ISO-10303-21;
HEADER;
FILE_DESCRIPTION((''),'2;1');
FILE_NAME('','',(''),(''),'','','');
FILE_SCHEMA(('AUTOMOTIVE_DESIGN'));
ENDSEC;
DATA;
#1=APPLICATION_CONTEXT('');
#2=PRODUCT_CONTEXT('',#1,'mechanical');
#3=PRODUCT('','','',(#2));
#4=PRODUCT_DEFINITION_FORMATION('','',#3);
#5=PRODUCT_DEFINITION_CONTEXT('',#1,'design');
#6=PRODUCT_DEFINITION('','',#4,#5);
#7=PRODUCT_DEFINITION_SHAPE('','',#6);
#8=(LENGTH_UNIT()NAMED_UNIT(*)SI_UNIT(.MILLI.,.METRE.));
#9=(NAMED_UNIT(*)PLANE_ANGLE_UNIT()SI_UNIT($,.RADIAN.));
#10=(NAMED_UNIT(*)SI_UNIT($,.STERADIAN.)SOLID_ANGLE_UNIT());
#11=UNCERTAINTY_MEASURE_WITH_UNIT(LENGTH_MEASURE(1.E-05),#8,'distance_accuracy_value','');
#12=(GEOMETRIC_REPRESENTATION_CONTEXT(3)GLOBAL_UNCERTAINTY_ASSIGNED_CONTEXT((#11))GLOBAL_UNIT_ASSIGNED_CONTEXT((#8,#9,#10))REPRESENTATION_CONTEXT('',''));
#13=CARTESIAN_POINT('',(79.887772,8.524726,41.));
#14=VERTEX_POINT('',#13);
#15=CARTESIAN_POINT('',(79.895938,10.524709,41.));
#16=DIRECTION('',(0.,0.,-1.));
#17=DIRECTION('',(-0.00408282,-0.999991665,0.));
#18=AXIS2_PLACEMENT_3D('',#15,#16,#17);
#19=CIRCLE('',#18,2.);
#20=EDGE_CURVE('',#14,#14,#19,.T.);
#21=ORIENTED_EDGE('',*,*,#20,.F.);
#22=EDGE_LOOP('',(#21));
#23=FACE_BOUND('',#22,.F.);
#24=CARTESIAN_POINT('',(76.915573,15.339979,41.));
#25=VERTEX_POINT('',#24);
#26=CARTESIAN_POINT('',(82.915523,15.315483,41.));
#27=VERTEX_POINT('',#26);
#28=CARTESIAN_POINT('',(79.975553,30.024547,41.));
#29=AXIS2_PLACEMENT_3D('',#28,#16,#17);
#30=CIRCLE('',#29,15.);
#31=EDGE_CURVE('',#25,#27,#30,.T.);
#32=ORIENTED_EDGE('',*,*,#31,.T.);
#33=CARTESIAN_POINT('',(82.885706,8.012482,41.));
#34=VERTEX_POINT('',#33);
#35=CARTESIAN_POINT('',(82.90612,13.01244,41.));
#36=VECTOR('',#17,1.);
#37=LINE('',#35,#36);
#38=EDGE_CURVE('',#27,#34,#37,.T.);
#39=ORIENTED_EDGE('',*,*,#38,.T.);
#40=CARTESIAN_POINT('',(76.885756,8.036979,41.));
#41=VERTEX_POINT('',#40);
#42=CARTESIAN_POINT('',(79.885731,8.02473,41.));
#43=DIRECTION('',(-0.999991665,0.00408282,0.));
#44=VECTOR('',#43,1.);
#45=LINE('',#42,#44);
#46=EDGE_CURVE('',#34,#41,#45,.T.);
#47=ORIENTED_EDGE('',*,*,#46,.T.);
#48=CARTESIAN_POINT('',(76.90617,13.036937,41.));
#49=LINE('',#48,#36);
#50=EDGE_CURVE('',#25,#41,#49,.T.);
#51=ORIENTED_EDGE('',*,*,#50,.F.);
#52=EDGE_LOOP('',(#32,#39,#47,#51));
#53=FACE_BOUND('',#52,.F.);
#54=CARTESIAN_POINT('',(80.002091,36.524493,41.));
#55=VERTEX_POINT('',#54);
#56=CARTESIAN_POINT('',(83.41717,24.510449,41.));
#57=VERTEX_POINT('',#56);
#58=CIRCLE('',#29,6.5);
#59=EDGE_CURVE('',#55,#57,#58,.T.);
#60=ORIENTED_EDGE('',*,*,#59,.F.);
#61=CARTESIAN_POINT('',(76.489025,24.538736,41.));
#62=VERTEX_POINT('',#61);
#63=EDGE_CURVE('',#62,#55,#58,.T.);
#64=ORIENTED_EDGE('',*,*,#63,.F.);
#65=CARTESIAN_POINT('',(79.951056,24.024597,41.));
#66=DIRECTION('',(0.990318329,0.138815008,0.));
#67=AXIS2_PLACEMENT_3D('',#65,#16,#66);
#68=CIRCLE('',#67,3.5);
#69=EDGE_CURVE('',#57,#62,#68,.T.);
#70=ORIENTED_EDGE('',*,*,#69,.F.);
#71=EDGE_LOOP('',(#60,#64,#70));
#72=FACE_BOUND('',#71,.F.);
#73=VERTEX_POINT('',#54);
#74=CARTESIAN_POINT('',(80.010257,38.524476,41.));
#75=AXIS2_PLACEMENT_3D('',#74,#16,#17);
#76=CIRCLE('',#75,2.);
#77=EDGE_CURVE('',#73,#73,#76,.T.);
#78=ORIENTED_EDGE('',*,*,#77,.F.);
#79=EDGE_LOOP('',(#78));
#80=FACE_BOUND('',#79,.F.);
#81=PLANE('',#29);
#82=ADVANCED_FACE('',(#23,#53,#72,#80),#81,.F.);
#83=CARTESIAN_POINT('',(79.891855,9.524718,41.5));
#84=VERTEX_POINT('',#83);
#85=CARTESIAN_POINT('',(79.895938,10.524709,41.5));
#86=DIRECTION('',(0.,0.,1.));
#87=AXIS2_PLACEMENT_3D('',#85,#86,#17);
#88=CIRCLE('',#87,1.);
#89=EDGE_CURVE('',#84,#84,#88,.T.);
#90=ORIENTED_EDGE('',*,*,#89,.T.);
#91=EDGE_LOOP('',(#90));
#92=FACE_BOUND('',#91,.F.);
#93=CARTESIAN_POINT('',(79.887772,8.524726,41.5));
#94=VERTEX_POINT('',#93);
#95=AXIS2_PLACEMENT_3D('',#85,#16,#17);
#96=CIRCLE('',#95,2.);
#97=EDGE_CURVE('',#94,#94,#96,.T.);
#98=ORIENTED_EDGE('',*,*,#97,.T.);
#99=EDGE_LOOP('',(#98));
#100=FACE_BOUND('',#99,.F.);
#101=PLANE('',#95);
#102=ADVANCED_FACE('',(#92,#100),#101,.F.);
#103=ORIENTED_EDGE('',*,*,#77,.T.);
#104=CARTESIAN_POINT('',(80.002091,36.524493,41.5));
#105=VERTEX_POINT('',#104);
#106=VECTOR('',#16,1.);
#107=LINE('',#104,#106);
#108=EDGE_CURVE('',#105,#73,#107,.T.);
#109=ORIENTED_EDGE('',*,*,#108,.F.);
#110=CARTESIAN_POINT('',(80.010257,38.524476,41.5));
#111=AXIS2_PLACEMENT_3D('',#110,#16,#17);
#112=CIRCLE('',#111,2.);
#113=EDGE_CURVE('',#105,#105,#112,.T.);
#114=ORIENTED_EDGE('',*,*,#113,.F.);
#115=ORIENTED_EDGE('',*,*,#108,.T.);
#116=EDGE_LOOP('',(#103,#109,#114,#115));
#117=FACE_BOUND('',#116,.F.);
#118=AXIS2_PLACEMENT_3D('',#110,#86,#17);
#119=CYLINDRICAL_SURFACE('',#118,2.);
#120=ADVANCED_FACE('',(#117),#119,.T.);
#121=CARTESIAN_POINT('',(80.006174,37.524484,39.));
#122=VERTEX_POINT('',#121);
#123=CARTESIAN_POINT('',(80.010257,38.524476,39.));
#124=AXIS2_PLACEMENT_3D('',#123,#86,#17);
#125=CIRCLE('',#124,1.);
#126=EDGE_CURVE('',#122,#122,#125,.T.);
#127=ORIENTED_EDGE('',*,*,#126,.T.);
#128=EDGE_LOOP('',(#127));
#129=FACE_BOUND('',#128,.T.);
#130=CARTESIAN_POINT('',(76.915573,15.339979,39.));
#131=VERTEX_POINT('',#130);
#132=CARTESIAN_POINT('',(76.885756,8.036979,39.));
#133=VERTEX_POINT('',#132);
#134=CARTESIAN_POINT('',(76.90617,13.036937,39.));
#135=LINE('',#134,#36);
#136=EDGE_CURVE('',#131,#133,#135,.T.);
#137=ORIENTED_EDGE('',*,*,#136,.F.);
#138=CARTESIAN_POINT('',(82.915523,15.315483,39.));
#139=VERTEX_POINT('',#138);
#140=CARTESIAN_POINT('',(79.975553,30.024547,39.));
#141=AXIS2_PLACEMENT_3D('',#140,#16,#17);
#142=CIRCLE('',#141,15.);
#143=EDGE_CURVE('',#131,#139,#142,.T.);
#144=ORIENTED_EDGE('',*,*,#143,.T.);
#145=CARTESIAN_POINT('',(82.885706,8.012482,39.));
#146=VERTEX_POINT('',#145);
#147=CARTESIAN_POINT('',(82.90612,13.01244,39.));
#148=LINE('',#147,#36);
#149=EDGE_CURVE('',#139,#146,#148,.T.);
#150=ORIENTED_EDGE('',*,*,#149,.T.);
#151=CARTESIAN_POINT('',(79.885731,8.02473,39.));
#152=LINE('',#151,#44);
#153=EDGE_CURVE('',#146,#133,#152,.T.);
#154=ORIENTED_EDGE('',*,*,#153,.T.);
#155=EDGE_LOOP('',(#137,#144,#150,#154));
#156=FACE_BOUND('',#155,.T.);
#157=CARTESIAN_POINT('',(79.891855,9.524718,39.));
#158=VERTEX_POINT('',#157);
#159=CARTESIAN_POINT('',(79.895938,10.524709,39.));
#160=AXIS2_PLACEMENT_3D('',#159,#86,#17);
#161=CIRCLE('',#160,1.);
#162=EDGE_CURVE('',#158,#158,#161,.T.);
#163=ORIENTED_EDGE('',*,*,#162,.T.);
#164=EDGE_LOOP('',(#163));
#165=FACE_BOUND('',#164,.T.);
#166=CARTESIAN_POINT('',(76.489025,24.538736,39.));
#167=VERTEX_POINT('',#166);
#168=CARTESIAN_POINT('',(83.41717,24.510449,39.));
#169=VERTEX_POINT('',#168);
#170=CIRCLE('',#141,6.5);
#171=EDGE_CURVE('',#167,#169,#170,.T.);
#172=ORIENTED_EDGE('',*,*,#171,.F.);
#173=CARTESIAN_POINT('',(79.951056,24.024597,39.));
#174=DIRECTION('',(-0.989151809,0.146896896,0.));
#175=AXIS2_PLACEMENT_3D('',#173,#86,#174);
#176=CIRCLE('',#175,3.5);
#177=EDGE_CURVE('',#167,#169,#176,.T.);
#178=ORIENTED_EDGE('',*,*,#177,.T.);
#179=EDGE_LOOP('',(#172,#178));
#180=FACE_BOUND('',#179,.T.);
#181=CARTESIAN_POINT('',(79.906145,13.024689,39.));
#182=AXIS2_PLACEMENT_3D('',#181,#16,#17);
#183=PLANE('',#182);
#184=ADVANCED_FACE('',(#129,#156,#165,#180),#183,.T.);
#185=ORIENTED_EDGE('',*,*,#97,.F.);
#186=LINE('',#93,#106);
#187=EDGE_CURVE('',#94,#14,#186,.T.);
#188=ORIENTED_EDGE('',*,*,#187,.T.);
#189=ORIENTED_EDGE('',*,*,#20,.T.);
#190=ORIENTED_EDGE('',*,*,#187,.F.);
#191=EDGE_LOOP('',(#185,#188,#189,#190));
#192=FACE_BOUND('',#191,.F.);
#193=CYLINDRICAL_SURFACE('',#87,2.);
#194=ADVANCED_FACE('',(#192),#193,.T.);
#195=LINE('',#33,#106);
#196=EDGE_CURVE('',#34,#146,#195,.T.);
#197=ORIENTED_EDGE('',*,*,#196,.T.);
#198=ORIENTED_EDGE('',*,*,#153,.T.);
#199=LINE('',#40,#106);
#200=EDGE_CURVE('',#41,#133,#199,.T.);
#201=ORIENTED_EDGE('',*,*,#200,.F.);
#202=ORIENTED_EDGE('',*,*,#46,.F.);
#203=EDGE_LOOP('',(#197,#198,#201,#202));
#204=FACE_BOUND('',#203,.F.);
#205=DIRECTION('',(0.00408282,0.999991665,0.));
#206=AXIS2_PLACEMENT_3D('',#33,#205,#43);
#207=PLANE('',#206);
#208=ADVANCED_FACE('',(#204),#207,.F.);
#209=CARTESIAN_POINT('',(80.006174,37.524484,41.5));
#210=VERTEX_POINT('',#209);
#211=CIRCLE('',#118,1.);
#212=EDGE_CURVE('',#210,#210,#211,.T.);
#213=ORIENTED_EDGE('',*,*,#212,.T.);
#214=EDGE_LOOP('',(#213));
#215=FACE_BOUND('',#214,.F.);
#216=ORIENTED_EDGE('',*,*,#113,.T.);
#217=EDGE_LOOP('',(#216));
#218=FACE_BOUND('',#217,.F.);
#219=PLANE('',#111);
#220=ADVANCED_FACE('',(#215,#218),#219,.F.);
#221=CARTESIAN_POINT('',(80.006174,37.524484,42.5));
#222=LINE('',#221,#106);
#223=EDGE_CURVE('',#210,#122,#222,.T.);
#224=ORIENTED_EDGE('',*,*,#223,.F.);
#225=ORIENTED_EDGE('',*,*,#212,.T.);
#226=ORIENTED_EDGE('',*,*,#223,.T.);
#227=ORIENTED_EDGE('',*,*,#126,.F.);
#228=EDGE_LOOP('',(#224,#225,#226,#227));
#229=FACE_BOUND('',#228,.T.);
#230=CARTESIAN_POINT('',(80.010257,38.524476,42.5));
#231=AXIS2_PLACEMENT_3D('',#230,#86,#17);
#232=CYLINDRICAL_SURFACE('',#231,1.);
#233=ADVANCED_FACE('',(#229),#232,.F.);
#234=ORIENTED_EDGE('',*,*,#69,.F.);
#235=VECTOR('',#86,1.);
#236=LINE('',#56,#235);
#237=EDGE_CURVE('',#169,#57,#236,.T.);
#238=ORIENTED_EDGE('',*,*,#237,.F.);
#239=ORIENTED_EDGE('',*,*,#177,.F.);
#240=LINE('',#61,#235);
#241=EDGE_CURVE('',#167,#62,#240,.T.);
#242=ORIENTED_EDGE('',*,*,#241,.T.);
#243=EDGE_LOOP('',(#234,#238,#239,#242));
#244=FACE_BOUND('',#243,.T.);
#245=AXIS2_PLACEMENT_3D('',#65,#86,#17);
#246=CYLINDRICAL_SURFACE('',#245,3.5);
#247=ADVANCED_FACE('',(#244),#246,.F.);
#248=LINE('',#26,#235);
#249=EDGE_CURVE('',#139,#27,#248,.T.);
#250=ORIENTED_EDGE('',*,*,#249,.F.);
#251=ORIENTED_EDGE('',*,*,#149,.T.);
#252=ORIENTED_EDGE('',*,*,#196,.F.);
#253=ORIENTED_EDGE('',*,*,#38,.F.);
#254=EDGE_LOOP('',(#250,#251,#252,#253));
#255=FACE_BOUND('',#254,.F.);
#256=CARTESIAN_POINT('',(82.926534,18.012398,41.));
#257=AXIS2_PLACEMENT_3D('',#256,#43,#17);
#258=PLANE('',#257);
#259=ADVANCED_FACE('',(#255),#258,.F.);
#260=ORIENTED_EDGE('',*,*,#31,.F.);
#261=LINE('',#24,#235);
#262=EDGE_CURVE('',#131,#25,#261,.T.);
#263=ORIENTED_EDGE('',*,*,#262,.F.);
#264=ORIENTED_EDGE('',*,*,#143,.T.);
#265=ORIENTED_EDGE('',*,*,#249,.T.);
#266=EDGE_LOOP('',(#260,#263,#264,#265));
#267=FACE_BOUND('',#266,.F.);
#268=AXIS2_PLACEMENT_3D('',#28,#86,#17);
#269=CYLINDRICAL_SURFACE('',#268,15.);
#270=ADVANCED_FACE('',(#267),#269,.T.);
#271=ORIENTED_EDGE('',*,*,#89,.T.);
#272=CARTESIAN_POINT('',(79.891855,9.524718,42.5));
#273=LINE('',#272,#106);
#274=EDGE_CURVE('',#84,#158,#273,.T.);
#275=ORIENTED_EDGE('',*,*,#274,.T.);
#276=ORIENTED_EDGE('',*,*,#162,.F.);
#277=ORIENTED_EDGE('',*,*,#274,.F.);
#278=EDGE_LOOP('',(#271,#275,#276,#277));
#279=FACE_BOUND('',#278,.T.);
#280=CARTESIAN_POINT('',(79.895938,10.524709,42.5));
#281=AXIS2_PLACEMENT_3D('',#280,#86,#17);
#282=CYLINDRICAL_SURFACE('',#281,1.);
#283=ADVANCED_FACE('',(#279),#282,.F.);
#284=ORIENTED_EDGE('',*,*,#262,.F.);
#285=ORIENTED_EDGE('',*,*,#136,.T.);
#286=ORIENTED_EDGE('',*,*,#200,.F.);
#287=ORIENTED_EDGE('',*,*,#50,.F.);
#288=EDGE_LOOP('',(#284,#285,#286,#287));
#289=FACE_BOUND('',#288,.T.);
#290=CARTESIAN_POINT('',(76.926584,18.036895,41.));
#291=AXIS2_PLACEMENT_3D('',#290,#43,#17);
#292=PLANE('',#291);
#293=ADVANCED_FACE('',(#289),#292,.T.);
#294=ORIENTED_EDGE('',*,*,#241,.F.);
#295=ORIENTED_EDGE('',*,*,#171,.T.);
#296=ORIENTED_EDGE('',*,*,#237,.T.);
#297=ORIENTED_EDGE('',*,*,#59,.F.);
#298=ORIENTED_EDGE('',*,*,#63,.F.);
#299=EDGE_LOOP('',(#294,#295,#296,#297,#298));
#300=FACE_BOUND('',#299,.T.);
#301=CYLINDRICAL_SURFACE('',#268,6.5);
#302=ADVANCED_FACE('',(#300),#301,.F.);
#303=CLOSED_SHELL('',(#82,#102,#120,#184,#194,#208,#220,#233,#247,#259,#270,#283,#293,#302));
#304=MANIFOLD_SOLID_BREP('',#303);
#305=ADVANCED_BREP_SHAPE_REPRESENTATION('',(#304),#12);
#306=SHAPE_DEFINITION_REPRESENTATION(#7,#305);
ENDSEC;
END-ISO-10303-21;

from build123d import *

# Parameters (mm, degrees)
CYLINDER003001001005001001_R     = 3.5
CYLINDER003001001005001001_DEPTH = 2
CYLINDER003001001004002_R        = 1
CYLINDER003001001004002_DEPTH    = 5
CYLINDER003001001004001001_R     = 1
CYLINDER003001001004001001_DEPTH = 5
CYLINDER003001001005001_R        = 6.5
CYLINDER003001001005001_DEPTH    = 2
BOX002_W                         = 10
BOX002_H                         = 6
BOX002_DEPTH                     = 2
CYLINDER003001001004_R           = 2
CYLINDER003001001004_DEPTH       = 0.5
CYLINDER003001001004001_R        = 2
CYLINDER003001001004001_DEPTH    = 0.5
CYLINDER003001001005_R           = 15
CYLINDER003001001005_DEPTH       = 2
CUT002_ROLL_ANGLE                = 180
CUT002_PLACEMENT_ANGLE           = -90.233929


with BuildPart() as cylinder013:
    # Cylinder003001001005001001 → Cylinder003001001005001001 (new body)
    with BuildSketch(Plane(origin=(12, 6, 21), x_dir=(1, 0, 0), z_dir=(0, 0, 1))):
        Circle(CYLINDER003001001005001001_R)
    extrude(amount=CYLINDER003001001005001001_DEPTH)


with BuildPart() as cylinder014:
    # Cylinder003001001004002 → Cylinder003001001004002 (new body)
    with BuildSketch(Plane(origin=(-2.5, 6, 19.5), x_dir=(1, 0, 0), z_dir=(0, 0, 1))):
        Circle(CYLINDER003001001004002_R)
    extrude(amount=CYLINDER003001001004002_DEPTH)


with BuildPart() as cylinder015:
    # Cylinder003001001004001001 → Cylinder003001001004001001 (new body)
    with BuildSketch(Plane(origin=(25.5, 6, 19.5), x_dir=(1, 0, 0), z_dir=(0, 0, 1))):
        Circle(CYLINDER003001001004001001_R)
    extrude(amount=CYLINDER003001001004001001_DEPTH)


with BuildPart() as fusion009:
    # Cylinder003001001005001 → Cylinder003001001005001 (new body)
    with BuildSketch(Plane(origin=(6, 6, 21), x_dir=(1, 0, 0), z_dir=(0, 0, 1))):
        Circle(CYLINDER003001001005001_R)
    extrude(amount=CYLINDER003001001005001_DEPTH)

    # Fusion009: union Cylinder013, Cylinder014, Cylinder015
    add(cylinder013.part)
    add(cylinder014.part)
    add(cylinder015.part)


with BuildPart() as box002:
    # Box002 → Box002 (new body)
    with BuildSketch(Plane(origin=(18, 3, 21), x_dir=(1, 0, 0), z_dir=(0, 0, 1))):
        with Locations((5, 3)):
            Rectangle(BOX002_W, BOX002_H)
    extrude(amount=BOX002_DEPTH)


with BuildPart() as cylinder003001001004:
    # Cylinder003001001004 → Cylinder003001001004 (new body)
    with BuildSketch(Plane(origin=(-2.5, 6, 20.5), x_dir=(1, 0, 0), z_dir=(0, 0, 1))):
        Circle(CYLINDER003001001004_R)
    extrude(amount=CYLINDER003001001004_DEPTH)


with BuildPart() as cylinder010:
    # Cylinder003001001004001 → Cylinder003001001004001 (new body)
    with BuildSketch(Plane(origin=(25.5, 6, 20.5), x_dir=(1, 0, 0), z_dir=(0, 0, 1))):
        Circle(CYLINDER003001001004001_R)
    extrude(amount=CYLINDER003001001004001_DEPTH)


with BuildPart() as guide1:
    # Cylinder003001001005 → Cylinder003001001005 (new body)
    with BuildSketch(Plane(origin=(6, 6, 21), x_dir=(1, 0, 0), z_dir=(0, 0, 1))):
        Circle(CYLINDER003001001005_R)
    extrude(amount=CYLINDER003001001005_DEPTH)

    # Fusion008: union Box002, Cylinder003001001004, Cylinder010
    add(box002.part)
    add(cylinder003001001004.part)
    add(cylinder010.part)

    # Cut002: cut Fusion009
    add(fusion009.part, mode=Mode.SUBTRACT)


with BuildPart() as guide1_1:
    # Cut002 roll: moved
    add(guide1.part.rotate(Axis((0, 0, 0), (1, 0, 0)), CUT002_ROLL_ANGLE))


with BuildPart() as guide1_2:
    # Cut002 placement: moved
    add(guide1_1.part.moved(Location((86, 36, 62))).rotate(Axis((86, 36, 62), (0, 0, 1)), CUT002_PLACEMENT_ANGLE))


solid = guide1_2.part
